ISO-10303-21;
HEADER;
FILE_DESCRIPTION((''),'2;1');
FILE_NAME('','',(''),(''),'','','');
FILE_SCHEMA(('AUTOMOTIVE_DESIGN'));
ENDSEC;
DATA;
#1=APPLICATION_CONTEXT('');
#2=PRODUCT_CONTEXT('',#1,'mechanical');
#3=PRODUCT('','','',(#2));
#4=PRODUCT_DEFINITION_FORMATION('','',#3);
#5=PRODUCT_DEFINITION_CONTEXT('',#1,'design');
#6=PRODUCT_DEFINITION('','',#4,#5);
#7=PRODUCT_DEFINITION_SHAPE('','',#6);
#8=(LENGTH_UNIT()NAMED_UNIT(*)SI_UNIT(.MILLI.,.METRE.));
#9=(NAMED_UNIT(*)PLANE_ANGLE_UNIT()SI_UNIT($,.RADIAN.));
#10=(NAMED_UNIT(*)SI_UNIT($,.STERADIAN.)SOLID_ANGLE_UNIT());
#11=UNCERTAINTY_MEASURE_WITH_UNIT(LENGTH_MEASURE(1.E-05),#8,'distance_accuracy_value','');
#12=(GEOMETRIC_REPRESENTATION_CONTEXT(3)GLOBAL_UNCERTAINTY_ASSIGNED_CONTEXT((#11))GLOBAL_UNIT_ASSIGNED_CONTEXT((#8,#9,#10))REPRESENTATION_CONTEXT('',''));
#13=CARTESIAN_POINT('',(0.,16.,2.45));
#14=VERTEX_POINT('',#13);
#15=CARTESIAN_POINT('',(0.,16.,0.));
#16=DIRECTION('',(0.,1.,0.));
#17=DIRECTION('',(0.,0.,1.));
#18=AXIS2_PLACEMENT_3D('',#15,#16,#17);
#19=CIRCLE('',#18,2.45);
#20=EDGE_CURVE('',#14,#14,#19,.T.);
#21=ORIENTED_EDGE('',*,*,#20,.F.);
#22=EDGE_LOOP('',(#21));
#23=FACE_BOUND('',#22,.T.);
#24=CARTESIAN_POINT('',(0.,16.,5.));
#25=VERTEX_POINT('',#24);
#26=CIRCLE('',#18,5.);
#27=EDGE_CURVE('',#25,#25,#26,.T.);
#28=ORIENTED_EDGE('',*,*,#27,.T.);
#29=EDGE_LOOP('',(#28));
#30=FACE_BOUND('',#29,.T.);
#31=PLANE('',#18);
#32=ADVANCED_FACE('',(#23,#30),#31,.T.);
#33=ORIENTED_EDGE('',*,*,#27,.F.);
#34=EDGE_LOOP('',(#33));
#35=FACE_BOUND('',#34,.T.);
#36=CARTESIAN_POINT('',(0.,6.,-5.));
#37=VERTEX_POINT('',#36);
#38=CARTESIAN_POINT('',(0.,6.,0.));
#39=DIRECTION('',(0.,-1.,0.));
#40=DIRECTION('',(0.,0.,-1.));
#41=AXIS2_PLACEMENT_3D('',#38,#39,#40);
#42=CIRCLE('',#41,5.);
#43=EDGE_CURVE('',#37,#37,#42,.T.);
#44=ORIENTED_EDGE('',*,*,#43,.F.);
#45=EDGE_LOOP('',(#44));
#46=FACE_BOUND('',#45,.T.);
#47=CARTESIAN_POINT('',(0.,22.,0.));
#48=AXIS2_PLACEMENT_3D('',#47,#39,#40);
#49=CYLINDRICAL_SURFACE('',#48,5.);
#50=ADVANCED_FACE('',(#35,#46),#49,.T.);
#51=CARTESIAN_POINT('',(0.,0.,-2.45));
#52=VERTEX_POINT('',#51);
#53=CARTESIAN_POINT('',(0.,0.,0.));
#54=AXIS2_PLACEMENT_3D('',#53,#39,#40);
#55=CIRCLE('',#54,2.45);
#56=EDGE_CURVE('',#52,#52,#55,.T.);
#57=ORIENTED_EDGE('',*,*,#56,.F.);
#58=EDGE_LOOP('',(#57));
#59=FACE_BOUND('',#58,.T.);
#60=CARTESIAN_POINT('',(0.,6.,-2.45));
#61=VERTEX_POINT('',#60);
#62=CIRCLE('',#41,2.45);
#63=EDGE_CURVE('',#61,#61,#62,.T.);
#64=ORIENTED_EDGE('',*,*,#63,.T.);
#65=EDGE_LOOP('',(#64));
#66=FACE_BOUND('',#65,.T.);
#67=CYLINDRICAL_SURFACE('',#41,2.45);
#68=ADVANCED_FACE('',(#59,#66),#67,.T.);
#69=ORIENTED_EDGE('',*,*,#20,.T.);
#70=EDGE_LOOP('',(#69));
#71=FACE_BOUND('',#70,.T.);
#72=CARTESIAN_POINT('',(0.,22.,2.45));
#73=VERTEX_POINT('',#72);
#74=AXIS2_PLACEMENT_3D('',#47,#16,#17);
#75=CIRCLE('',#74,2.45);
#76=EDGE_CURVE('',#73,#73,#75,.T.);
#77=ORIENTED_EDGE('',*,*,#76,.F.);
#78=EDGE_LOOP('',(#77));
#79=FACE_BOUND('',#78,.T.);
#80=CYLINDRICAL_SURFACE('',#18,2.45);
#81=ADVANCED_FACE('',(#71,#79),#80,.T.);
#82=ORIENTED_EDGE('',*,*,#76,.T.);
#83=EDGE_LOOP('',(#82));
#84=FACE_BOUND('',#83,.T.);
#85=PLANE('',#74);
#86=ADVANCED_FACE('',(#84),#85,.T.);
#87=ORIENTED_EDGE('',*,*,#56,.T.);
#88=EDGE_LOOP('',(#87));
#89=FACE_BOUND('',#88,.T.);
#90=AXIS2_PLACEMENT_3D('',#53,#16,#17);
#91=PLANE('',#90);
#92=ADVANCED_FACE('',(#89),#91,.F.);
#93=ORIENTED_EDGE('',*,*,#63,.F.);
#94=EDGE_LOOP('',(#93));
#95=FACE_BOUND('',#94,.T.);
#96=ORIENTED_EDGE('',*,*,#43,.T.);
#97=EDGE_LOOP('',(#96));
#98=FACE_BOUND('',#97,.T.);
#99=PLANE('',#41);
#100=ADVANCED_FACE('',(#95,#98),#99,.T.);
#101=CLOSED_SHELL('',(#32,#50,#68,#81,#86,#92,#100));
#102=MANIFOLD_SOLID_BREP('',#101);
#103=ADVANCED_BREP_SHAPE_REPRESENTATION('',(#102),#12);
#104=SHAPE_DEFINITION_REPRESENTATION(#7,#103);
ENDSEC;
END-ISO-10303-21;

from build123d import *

# Parameters (mm, degrees)
SKETCH2_R           = 5
BOSS_EXTRUDE1_DEPTH = 22
CUT_EXTRUDE1_START  = -6
SKETCH3_R           = 5
SKETCH3_R_2         = 2.45
CUT_EXTRUDE1_DEPTH  = 6
SKETCH4_R           = 5
SKETCH4_R_2         = 2.45
CUT_EXTRUDE2_DEPTH  = 6


with BuildPart() as part:
    # Sketch2 → Boss-Extrude1 (new body)
    with BuildSketch(Plane(origin=(0, 0, 0), x_dir=(1, 0, 0), z_dir=(0, 1, 0))):
        with Locations(Location((0, 0, 0), (0, 0, 270))):
            Circle(SKETCH2_R)
    extrude(amount=BOSS_EXTRUDE1_DEPTH)

    # Sketch3 → Cut-Extrude1 (cut)
    with BuildSketch(Plane(origin=(0, 22, 0), x_dir=(1, 0, 0), z_dir=(0, 1, 0)).offset(CUT_EXTRUDE1_START)):
        with Locations(Location((0, 0, 0), (0, 0, 270))):
            Circle(SKETCH3_R)
        with Locations(Location((0, 0, 0), (0, 0, 270))):
            Circle(SKETCH3_R_2, mode=Mode.SUBTRACT)
    extrude(amount=CUT_EXTRUDE1_DEPTH, mode=Mode.SUBTRACT)

    # Sketch4 → Cut-Extrude2 (cut)
    with BuildSketch(Plane.XZ):
        with Locations(Location((0, 0, 0), (0, 0, 270))):
            Circle(SKETCH4_R)
        with Locations(Location((0, 0, 0), (0, 0, 90))):
            Circle(SKETCH4_R_2, mode=Mode.SUBTRACT)
    extrude(amount=-CUT_EXTRUDE2_DEPTH, mode=Mode.SUBTRACT)


solid = part.part
